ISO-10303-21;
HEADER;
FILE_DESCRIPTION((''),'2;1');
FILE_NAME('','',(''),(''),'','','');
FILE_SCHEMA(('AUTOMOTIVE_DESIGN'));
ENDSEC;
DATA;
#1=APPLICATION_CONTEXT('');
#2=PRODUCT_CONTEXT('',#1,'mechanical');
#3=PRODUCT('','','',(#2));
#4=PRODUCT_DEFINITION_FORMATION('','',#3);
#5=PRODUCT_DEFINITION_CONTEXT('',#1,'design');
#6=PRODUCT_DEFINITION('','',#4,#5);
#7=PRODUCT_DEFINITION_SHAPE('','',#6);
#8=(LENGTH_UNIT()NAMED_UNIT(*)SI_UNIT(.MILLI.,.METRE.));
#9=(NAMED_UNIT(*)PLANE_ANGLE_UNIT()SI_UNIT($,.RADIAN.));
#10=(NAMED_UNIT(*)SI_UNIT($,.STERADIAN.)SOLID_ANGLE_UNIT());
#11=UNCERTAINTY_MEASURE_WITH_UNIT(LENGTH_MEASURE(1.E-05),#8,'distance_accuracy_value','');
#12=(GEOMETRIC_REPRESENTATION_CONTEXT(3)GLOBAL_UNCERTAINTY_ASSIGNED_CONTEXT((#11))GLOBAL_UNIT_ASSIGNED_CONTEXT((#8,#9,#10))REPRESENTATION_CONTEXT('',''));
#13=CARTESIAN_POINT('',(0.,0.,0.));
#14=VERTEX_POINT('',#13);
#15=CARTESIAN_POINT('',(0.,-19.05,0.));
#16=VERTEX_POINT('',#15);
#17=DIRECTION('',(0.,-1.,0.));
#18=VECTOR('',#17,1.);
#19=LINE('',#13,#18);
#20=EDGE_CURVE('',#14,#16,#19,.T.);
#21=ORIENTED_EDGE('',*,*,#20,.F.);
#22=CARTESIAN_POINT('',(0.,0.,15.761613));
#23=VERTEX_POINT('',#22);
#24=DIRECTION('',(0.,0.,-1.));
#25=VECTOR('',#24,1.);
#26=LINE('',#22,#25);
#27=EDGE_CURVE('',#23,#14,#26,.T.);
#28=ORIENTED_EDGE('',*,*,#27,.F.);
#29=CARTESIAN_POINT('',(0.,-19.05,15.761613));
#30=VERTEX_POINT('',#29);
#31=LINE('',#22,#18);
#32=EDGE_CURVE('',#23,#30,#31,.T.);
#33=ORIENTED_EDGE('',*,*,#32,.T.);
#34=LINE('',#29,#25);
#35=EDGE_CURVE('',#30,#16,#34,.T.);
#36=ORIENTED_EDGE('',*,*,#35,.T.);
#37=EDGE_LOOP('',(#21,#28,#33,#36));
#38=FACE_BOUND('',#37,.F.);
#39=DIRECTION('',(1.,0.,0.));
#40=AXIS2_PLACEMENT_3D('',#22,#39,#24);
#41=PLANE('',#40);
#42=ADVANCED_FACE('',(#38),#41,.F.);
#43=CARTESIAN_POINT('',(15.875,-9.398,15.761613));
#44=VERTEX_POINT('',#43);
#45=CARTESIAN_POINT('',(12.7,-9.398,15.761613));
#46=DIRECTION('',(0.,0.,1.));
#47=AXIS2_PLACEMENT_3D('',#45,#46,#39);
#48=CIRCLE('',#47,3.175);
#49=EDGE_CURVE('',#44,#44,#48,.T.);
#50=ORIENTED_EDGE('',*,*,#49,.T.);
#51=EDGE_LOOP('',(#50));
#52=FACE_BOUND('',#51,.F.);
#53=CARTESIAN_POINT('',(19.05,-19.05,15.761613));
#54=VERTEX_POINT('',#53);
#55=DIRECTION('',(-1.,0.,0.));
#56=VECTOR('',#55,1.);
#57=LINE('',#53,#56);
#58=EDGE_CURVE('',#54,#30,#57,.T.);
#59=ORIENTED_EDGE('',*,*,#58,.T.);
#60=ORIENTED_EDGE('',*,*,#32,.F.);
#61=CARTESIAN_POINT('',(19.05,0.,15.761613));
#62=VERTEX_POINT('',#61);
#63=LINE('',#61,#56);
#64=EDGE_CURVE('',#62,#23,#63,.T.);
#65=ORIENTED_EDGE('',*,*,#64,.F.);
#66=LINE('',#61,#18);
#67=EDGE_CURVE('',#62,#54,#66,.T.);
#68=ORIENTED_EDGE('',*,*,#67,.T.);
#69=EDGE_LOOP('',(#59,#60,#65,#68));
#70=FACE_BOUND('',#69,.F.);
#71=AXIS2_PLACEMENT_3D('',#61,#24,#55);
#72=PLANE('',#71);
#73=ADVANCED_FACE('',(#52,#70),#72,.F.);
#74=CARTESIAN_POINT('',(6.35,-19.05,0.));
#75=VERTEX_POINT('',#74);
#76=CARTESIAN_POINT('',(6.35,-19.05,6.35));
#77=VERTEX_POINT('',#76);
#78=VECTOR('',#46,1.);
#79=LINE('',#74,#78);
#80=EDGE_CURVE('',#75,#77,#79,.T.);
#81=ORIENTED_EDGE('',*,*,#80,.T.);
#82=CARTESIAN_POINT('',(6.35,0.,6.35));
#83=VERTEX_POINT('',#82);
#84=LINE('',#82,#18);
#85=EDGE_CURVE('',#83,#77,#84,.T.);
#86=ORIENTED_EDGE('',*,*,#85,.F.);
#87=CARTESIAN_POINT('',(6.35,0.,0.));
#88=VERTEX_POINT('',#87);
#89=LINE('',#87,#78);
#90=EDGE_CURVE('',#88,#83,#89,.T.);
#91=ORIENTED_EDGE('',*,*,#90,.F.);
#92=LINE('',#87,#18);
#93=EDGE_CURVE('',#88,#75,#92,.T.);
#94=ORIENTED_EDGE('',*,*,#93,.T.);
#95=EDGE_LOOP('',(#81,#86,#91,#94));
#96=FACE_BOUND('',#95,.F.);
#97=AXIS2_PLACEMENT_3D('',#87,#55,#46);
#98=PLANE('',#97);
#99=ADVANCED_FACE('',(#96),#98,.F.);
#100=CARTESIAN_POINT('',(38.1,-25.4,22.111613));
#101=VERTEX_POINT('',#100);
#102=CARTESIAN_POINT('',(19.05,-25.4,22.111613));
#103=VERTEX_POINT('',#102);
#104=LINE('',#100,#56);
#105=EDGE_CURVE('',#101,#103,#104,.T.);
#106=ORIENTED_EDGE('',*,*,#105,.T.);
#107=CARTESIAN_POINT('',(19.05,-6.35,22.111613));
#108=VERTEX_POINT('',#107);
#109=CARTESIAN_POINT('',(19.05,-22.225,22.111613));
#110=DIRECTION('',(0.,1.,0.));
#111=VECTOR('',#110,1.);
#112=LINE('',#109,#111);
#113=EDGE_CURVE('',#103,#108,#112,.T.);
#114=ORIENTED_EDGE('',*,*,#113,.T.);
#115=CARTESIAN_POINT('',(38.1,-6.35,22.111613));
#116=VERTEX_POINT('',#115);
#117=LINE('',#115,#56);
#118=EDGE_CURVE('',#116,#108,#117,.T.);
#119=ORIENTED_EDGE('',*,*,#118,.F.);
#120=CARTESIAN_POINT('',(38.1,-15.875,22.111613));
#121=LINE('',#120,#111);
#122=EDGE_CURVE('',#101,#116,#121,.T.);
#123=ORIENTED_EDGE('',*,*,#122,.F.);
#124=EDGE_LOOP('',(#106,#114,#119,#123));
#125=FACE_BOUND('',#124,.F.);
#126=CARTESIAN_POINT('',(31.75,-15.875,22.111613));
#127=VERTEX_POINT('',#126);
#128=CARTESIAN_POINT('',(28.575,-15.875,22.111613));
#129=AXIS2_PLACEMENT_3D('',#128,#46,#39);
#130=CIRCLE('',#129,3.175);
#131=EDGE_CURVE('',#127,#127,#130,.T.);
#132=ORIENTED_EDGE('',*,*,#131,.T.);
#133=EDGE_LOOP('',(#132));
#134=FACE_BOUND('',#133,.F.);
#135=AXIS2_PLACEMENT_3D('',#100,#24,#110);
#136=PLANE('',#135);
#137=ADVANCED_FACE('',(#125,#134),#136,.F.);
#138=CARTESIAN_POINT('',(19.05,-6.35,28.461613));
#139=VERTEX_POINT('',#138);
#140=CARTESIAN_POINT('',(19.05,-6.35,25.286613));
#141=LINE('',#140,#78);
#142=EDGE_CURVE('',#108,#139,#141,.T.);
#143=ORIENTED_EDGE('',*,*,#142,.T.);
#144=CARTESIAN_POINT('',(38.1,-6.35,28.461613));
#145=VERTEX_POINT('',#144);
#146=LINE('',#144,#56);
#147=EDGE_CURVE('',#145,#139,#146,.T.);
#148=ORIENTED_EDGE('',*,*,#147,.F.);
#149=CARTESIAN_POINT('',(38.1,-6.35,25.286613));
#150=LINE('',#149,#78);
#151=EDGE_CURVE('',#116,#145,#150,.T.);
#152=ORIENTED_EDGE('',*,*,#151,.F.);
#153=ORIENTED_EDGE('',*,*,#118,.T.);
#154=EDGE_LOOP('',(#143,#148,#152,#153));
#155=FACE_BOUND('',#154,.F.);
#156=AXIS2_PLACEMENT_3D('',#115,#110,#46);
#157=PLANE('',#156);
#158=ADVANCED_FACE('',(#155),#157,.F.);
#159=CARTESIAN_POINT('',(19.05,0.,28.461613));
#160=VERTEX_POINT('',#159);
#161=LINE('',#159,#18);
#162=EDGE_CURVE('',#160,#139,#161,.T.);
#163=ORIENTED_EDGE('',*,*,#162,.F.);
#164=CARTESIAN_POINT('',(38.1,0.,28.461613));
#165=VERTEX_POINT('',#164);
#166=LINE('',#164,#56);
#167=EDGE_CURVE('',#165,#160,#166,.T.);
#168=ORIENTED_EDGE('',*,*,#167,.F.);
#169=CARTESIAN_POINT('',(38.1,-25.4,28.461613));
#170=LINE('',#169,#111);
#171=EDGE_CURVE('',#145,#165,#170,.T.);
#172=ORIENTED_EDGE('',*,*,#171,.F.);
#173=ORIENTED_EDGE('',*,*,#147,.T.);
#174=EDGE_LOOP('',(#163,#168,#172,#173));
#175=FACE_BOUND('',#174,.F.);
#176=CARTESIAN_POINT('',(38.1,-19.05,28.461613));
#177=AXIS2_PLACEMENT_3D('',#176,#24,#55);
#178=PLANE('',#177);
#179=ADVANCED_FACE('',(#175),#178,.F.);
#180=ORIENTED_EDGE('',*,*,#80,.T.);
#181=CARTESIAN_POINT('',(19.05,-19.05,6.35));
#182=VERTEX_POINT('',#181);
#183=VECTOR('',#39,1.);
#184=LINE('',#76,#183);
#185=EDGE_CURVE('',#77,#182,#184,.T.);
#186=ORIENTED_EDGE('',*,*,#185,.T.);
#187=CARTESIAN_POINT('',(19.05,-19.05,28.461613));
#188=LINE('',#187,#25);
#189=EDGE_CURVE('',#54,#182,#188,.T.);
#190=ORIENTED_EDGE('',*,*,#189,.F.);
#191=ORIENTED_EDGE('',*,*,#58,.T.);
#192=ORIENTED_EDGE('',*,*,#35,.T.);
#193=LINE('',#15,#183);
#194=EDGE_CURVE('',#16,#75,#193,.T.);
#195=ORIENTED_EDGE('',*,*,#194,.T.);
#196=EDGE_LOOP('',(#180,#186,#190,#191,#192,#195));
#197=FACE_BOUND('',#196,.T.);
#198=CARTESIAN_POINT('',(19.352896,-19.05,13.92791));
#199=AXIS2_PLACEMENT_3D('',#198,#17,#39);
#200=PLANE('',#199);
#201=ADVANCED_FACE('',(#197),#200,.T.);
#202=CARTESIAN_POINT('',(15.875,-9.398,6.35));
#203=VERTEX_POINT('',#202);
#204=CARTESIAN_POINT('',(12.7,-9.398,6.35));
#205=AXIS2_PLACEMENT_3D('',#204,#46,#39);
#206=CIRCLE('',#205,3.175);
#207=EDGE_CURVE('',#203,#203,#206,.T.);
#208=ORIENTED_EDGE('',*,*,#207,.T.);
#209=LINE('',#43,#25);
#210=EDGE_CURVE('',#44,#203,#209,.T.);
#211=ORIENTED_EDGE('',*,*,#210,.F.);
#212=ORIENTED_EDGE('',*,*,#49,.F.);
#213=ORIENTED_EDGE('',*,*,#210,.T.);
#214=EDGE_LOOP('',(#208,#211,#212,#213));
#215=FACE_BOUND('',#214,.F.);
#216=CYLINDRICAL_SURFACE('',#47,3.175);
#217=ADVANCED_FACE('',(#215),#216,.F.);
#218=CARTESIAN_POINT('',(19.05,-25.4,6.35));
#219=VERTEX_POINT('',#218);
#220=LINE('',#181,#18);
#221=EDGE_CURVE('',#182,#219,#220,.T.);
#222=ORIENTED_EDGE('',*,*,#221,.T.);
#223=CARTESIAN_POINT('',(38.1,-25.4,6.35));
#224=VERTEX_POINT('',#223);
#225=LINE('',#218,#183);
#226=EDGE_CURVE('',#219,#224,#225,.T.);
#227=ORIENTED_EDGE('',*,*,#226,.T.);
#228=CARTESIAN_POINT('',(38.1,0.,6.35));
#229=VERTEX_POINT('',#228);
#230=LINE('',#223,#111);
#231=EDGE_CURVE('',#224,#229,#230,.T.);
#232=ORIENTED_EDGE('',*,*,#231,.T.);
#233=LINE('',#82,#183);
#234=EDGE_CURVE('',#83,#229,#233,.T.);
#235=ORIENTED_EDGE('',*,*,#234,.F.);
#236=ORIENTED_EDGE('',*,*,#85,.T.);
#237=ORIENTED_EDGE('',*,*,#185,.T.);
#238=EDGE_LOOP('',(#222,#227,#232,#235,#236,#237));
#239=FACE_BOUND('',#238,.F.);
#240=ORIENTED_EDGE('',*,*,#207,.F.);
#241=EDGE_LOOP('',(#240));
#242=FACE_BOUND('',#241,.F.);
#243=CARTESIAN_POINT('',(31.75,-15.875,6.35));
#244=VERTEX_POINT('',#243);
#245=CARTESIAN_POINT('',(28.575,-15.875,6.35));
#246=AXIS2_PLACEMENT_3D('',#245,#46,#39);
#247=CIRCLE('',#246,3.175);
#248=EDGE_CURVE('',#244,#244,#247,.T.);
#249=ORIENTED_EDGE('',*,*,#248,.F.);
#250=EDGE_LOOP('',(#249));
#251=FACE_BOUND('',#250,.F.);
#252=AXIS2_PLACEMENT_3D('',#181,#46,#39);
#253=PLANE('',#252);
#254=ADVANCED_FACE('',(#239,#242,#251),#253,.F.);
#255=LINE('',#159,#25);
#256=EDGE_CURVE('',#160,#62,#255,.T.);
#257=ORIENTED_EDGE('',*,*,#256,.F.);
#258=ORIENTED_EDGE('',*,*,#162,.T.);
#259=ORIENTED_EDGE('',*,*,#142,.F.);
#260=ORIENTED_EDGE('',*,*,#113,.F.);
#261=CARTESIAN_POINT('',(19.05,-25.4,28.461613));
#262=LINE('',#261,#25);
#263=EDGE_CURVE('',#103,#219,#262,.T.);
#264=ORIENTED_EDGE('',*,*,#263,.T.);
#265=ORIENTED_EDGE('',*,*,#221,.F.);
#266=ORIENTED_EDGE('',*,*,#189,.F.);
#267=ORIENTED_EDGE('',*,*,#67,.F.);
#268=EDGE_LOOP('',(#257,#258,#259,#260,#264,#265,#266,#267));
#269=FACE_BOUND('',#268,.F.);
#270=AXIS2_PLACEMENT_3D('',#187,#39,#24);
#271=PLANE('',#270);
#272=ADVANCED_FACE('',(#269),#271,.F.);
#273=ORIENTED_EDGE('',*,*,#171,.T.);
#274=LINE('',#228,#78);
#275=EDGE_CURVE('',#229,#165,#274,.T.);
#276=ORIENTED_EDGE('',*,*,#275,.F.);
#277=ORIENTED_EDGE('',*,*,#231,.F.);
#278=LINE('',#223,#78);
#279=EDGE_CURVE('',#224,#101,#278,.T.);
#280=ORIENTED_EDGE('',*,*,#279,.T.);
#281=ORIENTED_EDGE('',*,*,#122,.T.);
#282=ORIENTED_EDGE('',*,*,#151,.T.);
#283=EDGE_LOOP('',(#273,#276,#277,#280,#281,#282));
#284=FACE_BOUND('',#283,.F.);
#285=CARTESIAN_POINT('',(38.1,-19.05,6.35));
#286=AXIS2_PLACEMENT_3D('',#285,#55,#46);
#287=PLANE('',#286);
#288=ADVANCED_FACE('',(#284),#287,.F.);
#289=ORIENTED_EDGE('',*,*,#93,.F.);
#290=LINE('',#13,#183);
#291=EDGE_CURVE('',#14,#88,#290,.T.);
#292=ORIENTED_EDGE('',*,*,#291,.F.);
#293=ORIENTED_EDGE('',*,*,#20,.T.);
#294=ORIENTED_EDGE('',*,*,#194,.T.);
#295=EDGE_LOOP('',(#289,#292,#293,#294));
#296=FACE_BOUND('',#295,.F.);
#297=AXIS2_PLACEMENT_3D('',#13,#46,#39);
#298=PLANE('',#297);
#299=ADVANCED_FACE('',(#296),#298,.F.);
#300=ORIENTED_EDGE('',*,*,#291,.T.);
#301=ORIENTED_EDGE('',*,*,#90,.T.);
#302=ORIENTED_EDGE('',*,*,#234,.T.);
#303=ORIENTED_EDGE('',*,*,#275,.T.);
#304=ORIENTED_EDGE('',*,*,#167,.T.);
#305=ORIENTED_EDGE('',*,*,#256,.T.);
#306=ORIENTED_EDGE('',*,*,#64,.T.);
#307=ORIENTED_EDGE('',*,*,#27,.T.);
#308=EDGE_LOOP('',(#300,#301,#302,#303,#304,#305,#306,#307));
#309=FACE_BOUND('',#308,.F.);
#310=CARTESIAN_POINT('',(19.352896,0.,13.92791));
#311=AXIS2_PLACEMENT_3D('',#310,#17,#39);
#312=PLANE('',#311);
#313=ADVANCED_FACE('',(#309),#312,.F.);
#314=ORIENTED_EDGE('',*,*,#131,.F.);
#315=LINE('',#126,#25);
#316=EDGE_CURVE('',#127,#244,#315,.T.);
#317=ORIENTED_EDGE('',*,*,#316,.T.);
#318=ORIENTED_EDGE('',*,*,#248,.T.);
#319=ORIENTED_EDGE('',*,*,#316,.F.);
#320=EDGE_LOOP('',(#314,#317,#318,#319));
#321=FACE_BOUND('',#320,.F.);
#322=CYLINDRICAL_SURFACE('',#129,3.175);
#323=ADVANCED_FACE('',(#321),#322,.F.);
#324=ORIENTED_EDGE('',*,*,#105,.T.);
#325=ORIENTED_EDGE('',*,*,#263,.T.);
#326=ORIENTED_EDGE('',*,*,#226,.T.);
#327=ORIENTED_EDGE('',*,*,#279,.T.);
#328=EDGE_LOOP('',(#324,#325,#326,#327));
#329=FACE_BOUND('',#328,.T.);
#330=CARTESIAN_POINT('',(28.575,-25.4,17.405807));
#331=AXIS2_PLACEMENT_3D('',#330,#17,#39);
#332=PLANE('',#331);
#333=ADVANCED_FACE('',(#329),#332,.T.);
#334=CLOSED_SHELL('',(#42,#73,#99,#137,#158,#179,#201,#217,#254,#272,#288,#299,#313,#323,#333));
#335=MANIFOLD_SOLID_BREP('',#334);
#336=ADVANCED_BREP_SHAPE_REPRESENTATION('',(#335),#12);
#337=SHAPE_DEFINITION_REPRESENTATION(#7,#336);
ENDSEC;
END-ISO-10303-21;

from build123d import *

# Parameters (mm, degrees)
F1_DEPTH = 19.05
F3_DEPTH = 6.35
F4_W     = 19.05
F4_H     = 6.35
F5_DEPTH = 38.101
F6_R     = 3.175
F7_DEPTH = 22.112613
F8_R     = 3.175
F9_DEPTH = 15.762613


with BuildPart() as f1:
    # F0 (on Front) → F1 (new body)
    with BuildSketch(Plane.XZ):
        Polygon((0, 15.761613), (0, 0), (6.35, 0), (6.35, 6.35), (38.1, 6.35), (38.1, 28.461613), (19.05, 28.461613), (19.05, 15.761613), align=None)
    extrude(amount=F1_DEPTH)

    # F2 (on face) → F3 (join)
    with BuildSketch(Plane.XZ.offset(19.05)):
        Polygon((38.1, 28.461613), (19.05, 28.461613), (19.05, 15.761613), (19.05, 6.35), (38.1, 6.35), align=None)
    extrude(amount=F3_DEPTH)

    # F4 (on face) → F5 (cut, through all)
    with BuildSketch(Plane.YZ.offset(38.1)):
        with Locations((-15.875, 25.286613)):
            Rectangle(F4_W, F4_H)
    extrude(amount=-F5_DEPTH, mode=Mode.SUBTRACT)

    # F6 (on face) → F7 (cut, through all)
    with BuildSketch(Plane.XY.offset(22.111613)):
        with Locations((28.575, -15.875)):
            Circle(F6_R)
    extrude(amount=-F7_DEPTH, mode=Mode.SUBTRACT)

    # F8 (on face) → F9 (cut, through all)
    with BuildSketch(Plane.XY.offset(15.761613)):
        with Locations((12.7, -9.398)):
            Circle(F8_R)
    extrude(amount=-F9_DEPTH, mode=Mode.SUBTRACT)


solid = f1.part
